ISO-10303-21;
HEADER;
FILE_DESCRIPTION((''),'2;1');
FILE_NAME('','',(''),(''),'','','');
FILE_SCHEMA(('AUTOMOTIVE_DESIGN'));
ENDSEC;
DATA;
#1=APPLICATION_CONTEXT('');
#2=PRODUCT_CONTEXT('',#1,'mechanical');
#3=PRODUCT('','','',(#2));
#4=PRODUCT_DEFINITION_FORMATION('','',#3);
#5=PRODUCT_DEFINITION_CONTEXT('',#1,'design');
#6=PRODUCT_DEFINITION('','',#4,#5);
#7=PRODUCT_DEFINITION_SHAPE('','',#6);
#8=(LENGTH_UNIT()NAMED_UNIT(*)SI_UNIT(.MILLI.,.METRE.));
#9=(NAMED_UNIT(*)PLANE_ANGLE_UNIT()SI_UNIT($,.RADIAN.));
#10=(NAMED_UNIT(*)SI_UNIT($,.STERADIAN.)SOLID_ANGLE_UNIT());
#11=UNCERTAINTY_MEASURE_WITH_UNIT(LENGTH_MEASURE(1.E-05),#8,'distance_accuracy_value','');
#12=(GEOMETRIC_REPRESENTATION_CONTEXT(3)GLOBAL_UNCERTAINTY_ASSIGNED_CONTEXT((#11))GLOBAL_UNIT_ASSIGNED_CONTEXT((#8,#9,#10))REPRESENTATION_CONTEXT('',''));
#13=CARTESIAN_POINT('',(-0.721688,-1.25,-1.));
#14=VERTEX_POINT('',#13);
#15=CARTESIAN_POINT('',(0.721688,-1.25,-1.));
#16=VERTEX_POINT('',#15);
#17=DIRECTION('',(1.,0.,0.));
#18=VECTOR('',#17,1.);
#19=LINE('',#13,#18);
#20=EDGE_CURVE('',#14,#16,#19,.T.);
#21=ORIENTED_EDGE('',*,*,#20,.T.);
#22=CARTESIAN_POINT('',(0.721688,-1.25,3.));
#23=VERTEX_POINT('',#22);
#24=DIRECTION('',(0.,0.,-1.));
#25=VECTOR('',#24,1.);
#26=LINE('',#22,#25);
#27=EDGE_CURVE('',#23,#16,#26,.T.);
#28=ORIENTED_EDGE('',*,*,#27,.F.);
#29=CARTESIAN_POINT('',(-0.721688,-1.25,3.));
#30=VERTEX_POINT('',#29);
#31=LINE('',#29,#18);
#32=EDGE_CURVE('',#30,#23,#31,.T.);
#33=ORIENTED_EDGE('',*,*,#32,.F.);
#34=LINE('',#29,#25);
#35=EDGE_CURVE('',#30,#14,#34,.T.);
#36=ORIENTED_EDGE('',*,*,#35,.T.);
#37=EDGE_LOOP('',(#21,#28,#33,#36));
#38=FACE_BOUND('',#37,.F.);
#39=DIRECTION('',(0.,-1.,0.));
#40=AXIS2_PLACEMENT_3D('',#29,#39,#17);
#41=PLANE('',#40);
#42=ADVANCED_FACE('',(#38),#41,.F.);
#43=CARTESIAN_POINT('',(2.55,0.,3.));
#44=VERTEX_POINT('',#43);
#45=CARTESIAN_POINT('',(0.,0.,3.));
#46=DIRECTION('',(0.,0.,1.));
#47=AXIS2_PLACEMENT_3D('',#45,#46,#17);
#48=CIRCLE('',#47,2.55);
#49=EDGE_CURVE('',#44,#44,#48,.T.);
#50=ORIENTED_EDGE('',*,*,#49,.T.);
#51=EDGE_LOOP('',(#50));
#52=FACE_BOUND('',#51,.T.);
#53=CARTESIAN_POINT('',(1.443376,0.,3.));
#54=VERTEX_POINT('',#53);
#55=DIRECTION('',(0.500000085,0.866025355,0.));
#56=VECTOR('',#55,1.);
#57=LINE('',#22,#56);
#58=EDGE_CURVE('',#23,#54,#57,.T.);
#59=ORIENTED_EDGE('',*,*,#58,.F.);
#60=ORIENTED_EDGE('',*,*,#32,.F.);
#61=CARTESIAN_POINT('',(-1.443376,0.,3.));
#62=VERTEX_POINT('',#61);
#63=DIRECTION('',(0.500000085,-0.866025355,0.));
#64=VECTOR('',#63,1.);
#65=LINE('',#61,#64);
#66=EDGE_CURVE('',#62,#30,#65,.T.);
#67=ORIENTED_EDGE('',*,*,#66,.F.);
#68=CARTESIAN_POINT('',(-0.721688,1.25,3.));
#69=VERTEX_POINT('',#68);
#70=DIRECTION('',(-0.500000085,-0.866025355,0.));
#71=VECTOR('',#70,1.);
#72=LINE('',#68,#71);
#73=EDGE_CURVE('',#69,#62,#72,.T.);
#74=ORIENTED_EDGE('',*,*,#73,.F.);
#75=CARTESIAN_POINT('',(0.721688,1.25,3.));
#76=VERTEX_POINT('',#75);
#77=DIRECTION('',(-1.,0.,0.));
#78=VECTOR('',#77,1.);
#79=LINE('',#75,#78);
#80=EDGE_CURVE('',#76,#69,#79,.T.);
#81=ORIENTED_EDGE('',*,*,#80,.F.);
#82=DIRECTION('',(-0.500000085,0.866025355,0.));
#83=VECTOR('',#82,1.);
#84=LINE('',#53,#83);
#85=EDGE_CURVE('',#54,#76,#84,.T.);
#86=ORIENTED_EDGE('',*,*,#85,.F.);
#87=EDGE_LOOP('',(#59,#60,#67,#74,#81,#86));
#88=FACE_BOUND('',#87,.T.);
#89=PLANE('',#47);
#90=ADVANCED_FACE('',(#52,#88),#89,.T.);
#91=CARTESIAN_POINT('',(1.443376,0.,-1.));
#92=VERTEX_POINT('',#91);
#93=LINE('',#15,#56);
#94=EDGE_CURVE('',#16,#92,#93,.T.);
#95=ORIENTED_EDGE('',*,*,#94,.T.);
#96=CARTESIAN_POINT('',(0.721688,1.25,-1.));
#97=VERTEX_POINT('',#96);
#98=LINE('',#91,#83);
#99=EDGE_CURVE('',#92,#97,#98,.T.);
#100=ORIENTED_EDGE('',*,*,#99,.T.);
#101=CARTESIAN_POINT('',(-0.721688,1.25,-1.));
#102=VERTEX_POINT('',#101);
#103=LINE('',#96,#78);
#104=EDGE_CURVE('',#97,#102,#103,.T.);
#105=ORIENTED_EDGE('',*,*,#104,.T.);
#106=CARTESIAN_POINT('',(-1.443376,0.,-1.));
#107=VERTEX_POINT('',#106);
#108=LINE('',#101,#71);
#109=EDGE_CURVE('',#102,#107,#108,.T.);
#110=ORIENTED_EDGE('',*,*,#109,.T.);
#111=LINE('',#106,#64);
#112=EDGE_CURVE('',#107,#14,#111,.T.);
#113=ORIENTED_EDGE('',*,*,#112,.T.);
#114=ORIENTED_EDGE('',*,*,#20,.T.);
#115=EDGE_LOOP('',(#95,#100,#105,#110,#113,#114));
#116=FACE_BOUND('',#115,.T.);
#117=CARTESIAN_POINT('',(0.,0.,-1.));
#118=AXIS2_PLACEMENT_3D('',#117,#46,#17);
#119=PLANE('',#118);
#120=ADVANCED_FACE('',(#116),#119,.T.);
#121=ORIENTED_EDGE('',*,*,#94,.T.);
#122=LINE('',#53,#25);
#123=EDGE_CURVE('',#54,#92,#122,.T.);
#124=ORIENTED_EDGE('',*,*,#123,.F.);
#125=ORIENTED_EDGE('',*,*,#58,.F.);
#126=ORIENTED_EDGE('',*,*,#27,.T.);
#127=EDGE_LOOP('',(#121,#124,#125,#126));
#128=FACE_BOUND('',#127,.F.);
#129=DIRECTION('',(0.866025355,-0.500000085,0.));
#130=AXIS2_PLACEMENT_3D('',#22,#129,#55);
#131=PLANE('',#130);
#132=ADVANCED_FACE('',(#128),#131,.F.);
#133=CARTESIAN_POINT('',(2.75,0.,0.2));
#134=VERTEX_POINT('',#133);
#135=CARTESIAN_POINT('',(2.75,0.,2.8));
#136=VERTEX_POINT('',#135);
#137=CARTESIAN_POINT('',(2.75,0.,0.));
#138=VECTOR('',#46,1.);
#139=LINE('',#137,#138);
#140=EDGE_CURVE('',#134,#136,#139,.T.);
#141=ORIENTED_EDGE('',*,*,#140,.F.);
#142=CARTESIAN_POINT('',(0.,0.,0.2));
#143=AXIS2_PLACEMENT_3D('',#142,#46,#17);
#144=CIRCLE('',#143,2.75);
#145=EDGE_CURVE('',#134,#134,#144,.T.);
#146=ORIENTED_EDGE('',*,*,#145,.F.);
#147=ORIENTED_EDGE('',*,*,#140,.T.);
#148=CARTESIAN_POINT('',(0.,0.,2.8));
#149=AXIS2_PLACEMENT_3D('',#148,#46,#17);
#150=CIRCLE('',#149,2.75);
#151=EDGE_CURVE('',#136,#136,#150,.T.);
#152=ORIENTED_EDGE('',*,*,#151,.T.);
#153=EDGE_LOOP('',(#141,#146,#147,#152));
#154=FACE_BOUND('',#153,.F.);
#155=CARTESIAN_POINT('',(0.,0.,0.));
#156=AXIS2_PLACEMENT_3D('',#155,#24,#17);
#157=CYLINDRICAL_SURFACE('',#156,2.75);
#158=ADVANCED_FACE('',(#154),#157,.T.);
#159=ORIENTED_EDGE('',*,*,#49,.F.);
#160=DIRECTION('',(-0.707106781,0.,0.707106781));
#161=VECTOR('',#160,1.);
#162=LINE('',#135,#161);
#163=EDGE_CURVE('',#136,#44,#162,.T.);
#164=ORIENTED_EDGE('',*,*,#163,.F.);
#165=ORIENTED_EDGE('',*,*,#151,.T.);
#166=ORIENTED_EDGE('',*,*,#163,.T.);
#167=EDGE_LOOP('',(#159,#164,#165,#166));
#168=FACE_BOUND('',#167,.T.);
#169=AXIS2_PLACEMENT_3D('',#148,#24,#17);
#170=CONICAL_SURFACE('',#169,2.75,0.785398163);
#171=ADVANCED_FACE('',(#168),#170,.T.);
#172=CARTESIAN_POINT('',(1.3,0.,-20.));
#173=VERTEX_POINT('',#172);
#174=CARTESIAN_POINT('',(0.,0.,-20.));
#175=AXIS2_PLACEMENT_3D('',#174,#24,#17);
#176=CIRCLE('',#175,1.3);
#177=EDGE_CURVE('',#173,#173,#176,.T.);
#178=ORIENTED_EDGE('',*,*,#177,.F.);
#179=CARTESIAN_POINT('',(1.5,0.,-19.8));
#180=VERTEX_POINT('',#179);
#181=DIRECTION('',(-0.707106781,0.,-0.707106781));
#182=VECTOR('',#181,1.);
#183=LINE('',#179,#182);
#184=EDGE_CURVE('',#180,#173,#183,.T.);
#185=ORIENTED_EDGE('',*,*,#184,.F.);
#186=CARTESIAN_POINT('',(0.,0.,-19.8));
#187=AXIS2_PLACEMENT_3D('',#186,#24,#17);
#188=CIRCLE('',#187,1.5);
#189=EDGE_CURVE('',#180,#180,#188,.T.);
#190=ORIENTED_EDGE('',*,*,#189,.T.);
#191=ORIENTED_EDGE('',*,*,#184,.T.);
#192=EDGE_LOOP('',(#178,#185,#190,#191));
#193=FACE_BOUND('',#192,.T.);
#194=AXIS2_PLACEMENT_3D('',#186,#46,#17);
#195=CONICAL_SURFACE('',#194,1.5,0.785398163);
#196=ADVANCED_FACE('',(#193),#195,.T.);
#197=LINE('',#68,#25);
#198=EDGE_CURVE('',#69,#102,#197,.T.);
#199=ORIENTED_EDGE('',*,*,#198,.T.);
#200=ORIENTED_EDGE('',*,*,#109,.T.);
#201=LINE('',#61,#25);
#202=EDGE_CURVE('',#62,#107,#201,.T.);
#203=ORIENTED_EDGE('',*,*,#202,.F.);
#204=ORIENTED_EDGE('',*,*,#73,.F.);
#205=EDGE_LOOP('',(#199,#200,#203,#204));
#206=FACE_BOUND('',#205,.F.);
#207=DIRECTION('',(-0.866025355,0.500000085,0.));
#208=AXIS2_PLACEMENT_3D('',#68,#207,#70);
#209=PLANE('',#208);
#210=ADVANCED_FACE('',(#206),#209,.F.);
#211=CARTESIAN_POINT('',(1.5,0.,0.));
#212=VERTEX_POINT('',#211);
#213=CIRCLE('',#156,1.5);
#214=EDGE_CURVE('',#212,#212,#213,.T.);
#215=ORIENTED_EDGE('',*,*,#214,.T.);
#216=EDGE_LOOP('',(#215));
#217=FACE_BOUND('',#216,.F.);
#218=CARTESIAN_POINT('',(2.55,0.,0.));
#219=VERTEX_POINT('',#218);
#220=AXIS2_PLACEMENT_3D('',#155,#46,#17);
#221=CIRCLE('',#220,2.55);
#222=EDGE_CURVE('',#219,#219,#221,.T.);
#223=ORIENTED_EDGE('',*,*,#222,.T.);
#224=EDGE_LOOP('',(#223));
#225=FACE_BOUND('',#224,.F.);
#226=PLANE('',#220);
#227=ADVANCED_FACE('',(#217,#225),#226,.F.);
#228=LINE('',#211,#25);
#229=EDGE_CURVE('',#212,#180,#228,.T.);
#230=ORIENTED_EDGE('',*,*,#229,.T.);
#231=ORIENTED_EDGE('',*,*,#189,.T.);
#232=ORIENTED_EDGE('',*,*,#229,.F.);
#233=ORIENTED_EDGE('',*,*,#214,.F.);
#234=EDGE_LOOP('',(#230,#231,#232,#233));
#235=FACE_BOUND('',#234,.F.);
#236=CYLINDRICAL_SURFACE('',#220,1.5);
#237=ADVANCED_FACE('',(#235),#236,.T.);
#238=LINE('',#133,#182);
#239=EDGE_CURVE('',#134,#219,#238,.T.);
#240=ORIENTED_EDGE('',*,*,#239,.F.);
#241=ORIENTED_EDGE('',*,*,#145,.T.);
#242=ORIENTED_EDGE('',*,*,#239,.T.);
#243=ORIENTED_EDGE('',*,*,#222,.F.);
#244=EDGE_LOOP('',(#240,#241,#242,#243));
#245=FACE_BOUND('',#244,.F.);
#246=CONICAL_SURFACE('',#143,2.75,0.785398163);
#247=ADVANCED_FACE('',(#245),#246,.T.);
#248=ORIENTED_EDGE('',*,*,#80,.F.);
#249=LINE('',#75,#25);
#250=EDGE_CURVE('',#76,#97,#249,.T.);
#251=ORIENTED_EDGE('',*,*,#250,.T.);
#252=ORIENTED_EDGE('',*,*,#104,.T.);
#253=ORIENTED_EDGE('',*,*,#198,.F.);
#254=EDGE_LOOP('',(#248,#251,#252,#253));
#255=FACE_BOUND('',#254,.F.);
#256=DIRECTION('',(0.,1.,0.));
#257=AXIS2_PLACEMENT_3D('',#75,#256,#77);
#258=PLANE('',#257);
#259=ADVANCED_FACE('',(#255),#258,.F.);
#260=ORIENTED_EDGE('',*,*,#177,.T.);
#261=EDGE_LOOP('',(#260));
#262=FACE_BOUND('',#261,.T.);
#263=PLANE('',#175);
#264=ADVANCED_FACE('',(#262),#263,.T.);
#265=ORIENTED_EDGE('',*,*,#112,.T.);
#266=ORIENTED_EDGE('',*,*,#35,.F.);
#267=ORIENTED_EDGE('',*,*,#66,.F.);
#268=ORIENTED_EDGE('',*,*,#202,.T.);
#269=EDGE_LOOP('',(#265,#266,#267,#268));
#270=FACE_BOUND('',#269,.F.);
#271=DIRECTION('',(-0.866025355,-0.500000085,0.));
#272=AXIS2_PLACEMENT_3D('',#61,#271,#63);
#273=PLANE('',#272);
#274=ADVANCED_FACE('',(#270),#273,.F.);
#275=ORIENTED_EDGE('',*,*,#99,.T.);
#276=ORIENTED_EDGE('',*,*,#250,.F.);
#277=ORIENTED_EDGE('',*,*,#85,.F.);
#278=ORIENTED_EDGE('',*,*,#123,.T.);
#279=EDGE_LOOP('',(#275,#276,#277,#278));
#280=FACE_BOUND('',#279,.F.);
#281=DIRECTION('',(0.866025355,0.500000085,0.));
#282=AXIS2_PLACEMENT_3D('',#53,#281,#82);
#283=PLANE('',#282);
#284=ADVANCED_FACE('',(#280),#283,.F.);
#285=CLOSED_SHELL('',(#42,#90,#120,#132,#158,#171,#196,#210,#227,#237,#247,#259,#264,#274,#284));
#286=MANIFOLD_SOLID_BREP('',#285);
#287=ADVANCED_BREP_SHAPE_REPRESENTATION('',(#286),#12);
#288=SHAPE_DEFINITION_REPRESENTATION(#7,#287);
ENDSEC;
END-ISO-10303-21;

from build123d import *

# Parameters (mm, degrees)
SKETCH006_R     = 2.75
PAD003_DEPTH    = 3
SKETCH007_R     = 1.5
PAD004_DEPTH    = 20
POCKET002_DEPTH = 4
CHAMFER004_SIZE = 0.2


with BuildPart() as part:
    # Sketch006 → Pad003 (new body)
    with BuildSketch(Plane.XY):
        Circle(SKETCH006_R)
    extrude(amount=PAD003_DEPTH)

    # Sketch007 (on Face2 of Pad003) → Pad004 (join)
    with BuildSketch(Plane(origin=(0, 0, 0), x_dir=(1, 0, 0), z_dir=(0, 0, -1))):
        Circle(SKETCH007_R)
    extrude(amount=PAD004_DEPTH)

    # Sketch008 (on DatumPlane) → Pocket002 (cut)
    with BuildSketch(Plane.XY.offset(3)):
        Polygon((0.721688, -1.25), (1.443376, 0), (0.721688, 1.25), (-0.721688, 1.25), (-1.443376, 0), (-0.721688, -1.25), align=None)
    extrude(amount=-POCKET002_DEPTH, mode=Mode.SUBTRACT)

    # Chamfer004
    chamfer004_edges = [part.edges().sort_by_distance(p)[0] for p in [
        (-1.5, 0, -20),
        (-2.75, 0, 0),
        (-2.75, 0, 3),
    ]]
    chamfer(chamfer004_edges, length=CHAMFER004_SIZE)


solid = part.part
